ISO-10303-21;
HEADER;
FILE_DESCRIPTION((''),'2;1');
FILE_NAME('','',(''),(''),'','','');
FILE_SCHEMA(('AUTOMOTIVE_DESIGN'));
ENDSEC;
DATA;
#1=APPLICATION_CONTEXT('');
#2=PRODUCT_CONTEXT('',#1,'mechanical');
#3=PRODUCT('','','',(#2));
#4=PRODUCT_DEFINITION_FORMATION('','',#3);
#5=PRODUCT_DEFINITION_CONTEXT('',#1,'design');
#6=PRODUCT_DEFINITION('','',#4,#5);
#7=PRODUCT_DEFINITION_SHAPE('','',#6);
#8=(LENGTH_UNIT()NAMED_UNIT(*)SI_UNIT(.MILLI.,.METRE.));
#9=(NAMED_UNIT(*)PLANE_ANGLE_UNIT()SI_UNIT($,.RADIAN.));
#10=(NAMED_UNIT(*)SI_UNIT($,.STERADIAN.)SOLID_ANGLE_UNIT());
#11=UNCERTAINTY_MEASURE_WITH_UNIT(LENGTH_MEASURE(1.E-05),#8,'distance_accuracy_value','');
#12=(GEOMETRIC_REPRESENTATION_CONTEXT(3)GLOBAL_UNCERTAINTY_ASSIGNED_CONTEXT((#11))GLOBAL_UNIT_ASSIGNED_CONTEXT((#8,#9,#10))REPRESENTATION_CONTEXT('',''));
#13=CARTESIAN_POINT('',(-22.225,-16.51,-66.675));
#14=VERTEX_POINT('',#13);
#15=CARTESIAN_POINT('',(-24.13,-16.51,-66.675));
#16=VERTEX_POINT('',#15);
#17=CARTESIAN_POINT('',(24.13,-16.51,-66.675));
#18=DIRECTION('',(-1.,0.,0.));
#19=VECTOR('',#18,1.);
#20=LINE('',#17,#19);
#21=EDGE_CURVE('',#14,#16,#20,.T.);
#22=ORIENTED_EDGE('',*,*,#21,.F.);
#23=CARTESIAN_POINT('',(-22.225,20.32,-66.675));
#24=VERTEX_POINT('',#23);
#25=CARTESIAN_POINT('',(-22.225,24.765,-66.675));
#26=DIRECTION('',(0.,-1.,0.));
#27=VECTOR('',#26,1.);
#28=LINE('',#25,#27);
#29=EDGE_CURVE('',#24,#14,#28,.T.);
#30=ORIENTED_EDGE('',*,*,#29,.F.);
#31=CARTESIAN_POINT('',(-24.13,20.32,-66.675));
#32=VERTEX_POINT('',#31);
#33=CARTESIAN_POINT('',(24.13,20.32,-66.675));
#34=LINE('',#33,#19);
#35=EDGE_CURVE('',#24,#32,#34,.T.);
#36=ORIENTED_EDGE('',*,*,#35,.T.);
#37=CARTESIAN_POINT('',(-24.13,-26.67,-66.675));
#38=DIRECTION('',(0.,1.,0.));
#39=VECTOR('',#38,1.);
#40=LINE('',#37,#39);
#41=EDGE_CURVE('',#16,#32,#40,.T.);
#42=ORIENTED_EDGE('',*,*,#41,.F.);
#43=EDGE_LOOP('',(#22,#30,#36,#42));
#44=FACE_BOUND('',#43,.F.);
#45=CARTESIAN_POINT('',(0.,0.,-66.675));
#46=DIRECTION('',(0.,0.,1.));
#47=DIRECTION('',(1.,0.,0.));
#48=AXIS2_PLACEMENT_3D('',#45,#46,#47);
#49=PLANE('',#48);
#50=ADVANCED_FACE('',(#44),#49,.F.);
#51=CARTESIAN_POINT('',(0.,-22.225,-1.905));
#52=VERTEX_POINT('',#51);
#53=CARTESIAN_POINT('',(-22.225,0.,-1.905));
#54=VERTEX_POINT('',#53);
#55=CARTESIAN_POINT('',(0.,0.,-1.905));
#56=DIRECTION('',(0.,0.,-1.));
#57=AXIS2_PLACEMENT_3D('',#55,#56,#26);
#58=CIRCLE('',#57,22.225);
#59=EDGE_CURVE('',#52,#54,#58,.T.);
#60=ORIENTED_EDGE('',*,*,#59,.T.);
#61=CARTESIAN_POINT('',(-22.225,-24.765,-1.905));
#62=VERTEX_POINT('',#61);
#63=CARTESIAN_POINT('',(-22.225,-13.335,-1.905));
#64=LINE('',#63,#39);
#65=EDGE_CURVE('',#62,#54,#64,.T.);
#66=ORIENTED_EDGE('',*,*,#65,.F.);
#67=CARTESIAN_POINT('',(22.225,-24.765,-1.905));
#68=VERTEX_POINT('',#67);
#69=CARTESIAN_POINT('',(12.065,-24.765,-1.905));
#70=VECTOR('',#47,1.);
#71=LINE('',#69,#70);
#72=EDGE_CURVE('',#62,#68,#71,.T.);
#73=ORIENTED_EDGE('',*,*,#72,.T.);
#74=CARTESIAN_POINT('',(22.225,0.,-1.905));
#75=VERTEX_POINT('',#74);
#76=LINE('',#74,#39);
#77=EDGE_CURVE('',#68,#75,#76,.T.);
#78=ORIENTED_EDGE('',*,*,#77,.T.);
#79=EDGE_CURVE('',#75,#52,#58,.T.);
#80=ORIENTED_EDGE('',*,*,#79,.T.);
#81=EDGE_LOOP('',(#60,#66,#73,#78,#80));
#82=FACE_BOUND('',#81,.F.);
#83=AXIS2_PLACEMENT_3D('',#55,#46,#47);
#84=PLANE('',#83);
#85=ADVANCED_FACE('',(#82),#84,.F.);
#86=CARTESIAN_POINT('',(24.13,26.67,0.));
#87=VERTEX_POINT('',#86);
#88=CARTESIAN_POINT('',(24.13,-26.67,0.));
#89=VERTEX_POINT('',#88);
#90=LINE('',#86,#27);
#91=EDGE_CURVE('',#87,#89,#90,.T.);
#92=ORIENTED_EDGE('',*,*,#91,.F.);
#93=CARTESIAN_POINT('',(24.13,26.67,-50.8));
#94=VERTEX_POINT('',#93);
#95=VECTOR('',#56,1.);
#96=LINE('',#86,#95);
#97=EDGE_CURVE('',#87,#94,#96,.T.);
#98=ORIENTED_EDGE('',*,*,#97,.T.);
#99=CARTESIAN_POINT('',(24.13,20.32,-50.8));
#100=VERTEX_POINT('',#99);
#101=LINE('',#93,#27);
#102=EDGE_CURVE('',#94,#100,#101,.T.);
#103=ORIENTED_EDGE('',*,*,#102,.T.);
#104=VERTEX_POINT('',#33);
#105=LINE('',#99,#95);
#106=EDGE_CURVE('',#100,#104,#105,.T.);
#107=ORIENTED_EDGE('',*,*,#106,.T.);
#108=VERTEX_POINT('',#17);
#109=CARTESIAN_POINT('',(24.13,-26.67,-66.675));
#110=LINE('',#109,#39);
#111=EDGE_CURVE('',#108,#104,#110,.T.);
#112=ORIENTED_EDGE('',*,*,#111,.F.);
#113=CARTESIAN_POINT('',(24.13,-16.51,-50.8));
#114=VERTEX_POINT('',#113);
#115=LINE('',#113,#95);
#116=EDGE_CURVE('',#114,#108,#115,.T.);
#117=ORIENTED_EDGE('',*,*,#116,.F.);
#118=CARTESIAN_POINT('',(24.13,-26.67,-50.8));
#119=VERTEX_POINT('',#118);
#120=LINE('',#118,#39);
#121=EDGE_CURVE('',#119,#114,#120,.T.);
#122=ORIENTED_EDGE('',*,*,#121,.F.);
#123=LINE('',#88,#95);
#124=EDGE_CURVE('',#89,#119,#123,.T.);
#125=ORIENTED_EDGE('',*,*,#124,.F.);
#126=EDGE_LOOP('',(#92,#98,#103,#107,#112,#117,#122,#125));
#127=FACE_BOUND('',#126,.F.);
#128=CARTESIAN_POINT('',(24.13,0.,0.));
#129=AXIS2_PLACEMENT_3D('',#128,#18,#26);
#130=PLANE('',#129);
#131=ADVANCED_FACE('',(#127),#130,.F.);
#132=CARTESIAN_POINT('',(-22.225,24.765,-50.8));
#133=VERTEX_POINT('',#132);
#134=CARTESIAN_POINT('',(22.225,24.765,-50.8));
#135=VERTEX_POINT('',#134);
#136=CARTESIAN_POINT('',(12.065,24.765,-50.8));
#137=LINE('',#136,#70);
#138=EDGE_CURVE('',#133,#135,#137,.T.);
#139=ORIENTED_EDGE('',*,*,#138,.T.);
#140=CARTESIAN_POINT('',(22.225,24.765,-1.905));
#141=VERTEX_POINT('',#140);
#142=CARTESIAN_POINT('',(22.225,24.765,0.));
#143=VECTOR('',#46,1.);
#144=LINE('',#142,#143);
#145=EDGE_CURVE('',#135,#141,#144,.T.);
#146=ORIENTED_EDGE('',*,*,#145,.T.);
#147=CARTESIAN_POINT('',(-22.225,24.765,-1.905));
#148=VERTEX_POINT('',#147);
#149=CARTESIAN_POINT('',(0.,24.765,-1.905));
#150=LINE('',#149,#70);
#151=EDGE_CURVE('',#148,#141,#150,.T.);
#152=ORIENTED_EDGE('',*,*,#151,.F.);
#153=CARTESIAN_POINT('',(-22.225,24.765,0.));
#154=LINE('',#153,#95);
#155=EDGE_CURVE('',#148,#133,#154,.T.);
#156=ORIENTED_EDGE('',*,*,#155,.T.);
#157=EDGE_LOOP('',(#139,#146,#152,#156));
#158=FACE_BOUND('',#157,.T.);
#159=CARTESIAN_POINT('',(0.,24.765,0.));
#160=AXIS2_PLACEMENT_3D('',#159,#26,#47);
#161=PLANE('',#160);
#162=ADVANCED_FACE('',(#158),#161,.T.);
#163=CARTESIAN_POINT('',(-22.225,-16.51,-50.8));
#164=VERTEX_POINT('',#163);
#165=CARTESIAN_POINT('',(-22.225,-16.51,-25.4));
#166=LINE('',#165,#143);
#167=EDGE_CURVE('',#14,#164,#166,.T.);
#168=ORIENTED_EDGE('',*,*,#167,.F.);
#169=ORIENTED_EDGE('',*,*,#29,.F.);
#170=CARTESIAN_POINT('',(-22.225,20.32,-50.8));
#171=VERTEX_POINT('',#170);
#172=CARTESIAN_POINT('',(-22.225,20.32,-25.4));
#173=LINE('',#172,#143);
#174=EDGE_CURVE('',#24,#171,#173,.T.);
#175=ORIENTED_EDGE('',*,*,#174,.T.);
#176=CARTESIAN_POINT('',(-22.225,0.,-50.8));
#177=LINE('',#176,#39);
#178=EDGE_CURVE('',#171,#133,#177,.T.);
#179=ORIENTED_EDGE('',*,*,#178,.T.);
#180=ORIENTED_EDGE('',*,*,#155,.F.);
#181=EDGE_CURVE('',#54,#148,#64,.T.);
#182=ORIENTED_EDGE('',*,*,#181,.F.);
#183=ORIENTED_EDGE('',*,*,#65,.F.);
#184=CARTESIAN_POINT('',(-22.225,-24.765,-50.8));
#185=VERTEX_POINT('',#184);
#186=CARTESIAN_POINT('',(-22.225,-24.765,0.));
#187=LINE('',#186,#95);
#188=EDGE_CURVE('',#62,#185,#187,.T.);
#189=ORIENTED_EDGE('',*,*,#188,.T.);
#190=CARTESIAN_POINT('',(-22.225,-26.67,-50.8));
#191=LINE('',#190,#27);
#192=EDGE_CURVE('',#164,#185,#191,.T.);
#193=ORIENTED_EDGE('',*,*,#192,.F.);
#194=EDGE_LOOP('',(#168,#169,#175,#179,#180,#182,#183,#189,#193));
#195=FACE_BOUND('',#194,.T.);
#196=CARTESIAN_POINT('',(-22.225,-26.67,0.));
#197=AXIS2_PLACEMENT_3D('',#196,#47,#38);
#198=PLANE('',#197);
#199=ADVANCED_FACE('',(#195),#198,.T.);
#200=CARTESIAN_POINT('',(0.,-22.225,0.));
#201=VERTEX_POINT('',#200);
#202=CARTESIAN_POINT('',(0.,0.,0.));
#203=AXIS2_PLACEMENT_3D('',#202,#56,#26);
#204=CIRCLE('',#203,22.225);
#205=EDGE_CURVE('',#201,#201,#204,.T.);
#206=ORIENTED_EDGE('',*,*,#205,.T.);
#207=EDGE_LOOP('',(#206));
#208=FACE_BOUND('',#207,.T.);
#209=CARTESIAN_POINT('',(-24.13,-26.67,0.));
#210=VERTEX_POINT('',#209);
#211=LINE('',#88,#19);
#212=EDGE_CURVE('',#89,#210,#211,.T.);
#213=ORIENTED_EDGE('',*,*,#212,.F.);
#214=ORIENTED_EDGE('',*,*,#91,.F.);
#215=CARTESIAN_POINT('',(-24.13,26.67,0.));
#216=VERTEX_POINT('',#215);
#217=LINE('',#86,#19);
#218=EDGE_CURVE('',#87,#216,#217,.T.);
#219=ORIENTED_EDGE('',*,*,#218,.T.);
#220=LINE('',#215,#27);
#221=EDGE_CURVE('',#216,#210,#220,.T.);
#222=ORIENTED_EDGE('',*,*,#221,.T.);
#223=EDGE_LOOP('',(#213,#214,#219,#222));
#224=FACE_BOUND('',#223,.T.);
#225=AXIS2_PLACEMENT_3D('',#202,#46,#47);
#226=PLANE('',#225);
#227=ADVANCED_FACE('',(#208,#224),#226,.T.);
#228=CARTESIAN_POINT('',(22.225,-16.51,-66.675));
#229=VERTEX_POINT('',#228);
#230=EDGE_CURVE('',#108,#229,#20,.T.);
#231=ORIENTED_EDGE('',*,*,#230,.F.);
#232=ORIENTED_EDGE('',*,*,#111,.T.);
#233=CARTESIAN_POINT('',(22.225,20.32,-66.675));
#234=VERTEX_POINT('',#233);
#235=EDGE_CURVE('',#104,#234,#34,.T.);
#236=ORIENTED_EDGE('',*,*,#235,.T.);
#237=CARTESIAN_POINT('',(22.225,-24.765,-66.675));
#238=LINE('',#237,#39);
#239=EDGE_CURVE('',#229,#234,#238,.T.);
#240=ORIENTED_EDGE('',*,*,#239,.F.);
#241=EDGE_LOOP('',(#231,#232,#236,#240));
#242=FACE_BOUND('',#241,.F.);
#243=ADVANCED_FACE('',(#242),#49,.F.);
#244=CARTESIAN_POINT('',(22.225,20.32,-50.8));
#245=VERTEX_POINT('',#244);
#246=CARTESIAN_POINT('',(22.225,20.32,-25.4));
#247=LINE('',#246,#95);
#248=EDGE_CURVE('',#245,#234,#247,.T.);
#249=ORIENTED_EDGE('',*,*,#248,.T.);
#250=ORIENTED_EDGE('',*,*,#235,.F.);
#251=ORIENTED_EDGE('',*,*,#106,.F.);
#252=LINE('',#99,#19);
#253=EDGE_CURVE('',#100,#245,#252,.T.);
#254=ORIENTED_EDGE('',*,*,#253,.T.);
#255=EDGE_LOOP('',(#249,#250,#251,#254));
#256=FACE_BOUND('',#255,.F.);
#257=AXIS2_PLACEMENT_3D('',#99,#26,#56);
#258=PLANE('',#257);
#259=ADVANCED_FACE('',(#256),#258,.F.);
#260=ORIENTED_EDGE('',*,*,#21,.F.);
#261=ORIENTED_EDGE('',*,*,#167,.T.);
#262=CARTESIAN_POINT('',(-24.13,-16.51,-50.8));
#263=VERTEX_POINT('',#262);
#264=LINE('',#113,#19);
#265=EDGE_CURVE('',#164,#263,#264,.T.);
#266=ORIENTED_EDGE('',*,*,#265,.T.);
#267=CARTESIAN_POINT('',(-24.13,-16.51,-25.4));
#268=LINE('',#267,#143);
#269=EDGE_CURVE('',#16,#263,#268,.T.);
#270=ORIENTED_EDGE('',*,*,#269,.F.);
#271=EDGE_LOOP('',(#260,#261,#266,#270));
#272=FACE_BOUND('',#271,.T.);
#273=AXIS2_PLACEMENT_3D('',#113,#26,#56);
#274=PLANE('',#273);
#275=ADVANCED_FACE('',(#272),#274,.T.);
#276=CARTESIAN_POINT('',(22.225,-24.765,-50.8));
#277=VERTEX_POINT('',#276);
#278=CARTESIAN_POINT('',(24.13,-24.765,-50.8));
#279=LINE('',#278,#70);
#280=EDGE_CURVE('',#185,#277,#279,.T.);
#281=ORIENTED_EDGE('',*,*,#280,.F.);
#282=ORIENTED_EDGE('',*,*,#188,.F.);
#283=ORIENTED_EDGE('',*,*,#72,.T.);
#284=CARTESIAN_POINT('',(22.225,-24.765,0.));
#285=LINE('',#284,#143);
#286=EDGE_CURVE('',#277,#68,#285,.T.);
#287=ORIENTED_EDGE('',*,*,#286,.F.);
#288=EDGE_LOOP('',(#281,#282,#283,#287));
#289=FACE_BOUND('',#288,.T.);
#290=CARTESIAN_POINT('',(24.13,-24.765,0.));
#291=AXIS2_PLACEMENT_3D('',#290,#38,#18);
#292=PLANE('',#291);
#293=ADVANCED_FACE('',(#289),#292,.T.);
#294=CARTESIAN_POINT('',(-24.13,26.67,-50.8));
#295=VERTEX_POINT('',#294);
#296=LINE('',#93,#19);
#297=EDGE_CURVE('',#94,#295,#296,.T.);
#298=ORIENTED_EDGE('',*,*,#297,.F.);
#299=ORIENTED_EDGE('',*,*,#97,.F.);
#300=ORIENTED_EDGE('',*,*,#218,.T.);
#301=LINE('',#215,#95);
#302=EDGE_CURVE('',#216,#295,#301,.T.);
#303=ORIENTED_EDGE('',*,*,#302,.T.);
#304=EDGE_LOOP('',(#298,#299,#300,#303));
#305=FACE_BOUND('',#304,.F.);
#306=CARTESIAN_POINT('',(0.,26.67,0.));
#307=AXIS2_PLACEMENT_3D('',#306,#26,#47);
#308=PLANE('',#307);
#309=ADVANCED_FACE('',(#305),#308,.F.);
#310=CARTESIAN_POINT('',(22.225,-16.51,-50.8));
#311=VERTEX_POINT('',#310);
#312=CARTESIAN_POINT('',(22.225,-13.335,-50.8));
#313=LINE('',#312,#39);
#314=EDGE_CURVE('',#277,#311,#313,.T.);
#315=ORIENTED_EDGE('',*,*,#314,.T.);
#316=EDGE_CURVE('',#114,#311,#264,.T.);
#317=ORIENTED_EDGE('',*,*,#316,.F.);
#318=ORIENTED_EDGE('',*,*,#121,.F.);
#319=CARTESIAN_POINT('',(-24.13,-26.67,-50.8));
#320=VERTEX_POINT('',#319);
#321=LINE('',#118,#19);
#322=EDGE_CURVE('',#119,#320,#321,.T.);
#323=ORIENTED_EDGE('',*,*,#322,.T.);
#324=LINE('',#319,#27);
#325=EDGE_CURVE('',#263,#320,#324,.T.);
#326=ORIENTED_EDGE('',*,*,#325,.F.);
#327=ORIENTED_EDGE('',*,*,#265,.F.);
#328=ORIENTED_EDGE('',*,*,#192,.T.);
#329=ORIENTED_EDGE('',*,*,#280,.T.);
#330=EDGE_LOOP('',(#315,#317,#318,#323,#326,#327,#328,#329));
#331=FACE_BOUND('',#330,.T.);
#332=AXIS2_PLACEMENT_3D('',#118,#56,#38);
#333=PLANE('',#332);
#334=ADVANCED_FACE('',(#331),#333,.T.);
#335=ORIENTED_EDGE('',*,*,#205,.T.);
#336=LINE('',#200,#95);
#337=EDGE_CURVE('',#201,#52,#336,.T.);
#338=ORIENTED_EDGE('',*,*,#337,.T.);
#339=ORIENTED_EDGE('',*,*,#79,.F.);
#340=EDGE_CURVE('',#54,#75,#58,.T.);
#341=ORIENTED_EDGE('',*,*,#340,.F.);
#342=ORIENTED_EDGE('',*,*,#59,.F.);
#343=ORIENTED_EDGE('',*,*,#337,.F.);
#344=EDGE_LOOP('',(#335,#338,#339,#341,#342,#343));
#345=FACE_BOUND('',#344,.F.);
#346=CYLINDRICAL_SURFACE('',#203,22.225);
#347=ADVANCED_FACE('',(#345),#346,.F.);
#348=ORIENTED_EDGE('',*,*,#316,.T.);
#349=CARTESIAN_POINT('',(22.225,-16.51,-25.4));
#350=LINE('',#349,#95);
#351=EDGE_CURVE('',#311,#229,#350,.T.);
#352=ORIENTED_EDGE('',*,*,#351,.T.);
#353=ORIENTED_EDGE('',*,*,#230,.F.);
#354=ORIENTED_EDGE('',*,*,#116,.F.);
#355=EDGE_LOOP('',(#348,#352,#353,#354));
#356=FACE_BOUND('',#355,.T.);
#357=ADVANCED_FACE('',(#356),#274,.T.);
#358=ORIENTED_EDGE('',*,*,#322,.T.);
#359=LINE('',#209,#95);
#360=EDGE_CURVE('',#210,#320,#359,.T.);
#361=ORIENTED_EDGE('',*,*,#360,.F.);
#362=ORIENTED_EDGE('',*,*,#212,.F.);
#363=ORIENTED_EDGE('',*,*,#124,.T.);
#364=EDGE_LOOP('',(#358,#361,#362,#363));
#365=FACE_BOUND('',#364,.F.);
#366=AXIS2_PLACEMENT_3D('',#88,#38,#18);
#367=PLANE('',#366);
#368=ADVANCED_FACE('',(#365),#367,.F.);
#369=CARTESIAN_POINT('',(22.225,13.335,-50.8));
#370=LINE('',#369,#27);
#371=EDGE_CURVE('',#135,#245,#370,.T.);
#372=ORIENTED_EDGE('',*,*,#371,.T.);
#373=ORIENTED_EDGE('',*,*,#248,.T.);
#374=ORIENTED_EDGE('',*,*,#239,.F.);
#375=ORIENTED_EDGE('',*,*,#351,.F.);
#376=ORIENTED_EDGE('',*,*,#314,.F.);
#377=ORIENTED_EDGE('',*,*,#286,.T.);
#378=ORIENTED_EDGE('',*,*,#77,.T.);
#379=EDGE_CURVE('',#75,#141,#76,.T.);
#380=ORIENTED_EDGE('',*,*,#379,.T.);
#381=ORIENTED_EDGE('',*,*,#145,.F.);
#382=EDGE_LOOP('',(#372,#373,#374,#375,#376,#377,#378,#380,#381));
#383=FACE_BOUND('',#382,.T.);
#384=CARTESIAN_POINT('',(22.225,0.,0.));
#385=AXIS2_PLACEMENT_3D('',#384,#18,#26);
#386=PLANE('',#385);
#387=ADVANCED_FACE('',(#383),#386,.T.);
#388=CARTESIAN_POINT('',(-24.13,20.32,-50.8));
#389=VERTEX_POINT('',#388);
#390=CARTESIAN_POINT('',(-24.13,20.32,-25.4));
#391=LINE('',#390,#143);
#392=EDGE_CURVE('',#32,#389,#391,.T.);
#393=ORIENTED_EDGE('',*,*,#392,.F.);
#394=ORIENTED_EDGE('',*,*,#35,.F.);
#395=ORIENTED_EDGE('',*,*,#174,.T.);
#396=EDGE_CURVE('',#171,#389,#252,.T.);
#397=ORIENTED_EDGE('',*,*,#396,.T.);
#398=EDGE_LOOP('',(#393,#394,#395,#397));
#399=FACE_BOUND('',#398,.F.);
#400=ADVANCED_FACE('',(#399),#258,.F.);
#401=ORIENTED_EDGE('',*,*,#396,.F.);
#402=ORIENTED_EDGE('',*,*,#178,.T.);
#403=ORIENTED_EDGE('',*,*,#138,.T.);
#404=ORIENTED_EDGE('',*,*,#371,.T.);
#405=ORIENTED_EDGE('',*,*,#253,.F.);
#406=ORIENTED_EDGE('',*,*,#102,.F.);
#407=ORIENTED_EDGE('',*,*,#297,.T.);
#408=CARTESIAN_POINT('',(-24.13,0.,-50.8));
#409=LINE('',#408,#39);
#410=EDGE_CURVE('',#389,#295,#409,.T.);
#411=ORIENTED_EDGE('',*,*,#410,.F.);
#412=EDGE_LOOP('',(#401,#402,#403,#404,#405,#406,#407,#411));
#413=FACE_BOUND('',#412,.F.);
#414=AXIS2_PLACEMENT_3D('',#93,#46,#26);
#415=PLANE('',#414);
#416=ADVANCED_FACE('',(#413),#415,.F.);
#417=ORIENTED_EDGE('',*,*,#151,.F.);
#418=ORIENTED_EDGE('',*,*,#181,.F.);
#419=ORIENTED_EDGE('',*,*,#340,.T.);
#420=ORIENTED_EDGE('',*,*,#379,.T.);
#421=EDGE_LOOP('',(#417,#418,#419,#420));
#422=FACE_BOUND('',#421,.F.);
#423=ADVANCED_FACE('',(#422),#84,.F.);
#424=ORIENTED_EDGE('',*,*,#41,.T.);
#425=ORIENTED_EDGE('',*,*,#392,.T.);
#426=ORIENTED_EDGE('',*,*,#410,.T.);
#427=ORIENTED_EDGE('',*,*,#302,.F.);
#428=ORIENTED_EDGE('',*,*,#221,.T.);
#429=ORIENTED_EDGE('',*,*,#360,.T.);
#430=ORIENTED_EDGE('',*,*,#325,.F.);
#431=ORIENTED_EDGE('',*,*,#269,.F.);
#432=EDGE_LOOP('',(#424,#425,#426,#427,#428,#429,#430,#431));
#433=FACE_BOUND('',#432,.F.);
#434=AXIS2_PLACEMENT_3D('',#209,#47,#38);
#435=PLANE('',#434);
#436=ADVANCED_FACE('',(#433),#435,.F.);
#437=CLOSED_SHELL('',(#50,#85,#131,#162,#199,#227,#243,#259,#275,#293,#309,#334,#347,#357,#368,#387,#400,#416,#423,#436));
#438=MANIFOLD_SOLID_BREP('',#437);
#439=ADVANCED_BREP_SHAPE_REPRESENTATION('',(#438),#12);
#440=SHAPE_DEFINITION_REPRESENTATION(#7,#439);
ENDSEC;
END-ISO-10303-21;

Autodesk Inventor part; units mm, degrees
ref_plane "YZ Plane" through (0, 0, 0) normal (1, 0, 0) x (0, 1, 0)
ref_plane "XZ Plane" through (0, 0, 0) normal (0, 1, 0) x (-1, 0, 0)
ref_plane "XY Plane" through (0, 0, 0) normal (0, 0, 1) x (1, 0, 0)
sketch "Sketch1" plane through (0, 0, 0) normal (0, 0, 1) x (1, 0, 0)
  line L0 (24.13, -26.67) -> (-24.13, -26.67)
  line L1 (-24.13, -26.67) -> (-24.13, 26.67)
  line L2 (-24.13, 26.67) -> (24.13, 26.67)
  line L3 (24.13, 26.67) -> (24.13, -26.67)
  line L4 (0, 37.338) -> (0, -37.338) projected
  line L5 (-33.782, 0) -> (33.782, 0) projected
  dimension "d0" = 53.34
  dimension "d1" = 48.26
extrude "Extrusion1" add sketch "Sketch1" against normal blind 66.675
shell "Shell1" thickness 1.905 removed faces 1 at (-8.0433, 8.89, -66.675)
sketch "Sketch2" plane through (0, 0, 0) normal (0, 0, 1) x (1, 0, 0)
  point P0 (0, 0)
  point P1 (0, 0)
hole "Hole1" at (0, 0, 0) direction (0, 0, -1) diameter 44.45 end through all
sketch "Sketch3" plane through (24.13, -26.67, 0) normal (1, 0, 0) x (0, 0, -1)
  line L0 (0, 0) -> (66.675, 0) projected
  line L1 (50.8, 0) -> (50.8, 10.16)
  line L2 (50.8, 10.16) -> (66.675, 10.16)
  line L3 (66.675, 1.905) -> (66.675, 51.435) projected
  line L4 (0, 53.34) -> (66.675, 53.34) projected
  line L5 (50.8, 53.34) -> (50.8, 46.99)
  line L6 (50.8, 46.99) -> (66.675, 46.99)
  line L7 (66.675, 53.34) -> (66.675, 0) projected
  point P0 (0, 26.67)
  dimension "d12" = 10.16
  dimension "d13" = 6.35
  dimension "d14" = 15.875
extrude "Extrusion2" cut sketch "Sketch3" against normal up to next
properties part number "EStop Mount" material "PBT Plastic"
